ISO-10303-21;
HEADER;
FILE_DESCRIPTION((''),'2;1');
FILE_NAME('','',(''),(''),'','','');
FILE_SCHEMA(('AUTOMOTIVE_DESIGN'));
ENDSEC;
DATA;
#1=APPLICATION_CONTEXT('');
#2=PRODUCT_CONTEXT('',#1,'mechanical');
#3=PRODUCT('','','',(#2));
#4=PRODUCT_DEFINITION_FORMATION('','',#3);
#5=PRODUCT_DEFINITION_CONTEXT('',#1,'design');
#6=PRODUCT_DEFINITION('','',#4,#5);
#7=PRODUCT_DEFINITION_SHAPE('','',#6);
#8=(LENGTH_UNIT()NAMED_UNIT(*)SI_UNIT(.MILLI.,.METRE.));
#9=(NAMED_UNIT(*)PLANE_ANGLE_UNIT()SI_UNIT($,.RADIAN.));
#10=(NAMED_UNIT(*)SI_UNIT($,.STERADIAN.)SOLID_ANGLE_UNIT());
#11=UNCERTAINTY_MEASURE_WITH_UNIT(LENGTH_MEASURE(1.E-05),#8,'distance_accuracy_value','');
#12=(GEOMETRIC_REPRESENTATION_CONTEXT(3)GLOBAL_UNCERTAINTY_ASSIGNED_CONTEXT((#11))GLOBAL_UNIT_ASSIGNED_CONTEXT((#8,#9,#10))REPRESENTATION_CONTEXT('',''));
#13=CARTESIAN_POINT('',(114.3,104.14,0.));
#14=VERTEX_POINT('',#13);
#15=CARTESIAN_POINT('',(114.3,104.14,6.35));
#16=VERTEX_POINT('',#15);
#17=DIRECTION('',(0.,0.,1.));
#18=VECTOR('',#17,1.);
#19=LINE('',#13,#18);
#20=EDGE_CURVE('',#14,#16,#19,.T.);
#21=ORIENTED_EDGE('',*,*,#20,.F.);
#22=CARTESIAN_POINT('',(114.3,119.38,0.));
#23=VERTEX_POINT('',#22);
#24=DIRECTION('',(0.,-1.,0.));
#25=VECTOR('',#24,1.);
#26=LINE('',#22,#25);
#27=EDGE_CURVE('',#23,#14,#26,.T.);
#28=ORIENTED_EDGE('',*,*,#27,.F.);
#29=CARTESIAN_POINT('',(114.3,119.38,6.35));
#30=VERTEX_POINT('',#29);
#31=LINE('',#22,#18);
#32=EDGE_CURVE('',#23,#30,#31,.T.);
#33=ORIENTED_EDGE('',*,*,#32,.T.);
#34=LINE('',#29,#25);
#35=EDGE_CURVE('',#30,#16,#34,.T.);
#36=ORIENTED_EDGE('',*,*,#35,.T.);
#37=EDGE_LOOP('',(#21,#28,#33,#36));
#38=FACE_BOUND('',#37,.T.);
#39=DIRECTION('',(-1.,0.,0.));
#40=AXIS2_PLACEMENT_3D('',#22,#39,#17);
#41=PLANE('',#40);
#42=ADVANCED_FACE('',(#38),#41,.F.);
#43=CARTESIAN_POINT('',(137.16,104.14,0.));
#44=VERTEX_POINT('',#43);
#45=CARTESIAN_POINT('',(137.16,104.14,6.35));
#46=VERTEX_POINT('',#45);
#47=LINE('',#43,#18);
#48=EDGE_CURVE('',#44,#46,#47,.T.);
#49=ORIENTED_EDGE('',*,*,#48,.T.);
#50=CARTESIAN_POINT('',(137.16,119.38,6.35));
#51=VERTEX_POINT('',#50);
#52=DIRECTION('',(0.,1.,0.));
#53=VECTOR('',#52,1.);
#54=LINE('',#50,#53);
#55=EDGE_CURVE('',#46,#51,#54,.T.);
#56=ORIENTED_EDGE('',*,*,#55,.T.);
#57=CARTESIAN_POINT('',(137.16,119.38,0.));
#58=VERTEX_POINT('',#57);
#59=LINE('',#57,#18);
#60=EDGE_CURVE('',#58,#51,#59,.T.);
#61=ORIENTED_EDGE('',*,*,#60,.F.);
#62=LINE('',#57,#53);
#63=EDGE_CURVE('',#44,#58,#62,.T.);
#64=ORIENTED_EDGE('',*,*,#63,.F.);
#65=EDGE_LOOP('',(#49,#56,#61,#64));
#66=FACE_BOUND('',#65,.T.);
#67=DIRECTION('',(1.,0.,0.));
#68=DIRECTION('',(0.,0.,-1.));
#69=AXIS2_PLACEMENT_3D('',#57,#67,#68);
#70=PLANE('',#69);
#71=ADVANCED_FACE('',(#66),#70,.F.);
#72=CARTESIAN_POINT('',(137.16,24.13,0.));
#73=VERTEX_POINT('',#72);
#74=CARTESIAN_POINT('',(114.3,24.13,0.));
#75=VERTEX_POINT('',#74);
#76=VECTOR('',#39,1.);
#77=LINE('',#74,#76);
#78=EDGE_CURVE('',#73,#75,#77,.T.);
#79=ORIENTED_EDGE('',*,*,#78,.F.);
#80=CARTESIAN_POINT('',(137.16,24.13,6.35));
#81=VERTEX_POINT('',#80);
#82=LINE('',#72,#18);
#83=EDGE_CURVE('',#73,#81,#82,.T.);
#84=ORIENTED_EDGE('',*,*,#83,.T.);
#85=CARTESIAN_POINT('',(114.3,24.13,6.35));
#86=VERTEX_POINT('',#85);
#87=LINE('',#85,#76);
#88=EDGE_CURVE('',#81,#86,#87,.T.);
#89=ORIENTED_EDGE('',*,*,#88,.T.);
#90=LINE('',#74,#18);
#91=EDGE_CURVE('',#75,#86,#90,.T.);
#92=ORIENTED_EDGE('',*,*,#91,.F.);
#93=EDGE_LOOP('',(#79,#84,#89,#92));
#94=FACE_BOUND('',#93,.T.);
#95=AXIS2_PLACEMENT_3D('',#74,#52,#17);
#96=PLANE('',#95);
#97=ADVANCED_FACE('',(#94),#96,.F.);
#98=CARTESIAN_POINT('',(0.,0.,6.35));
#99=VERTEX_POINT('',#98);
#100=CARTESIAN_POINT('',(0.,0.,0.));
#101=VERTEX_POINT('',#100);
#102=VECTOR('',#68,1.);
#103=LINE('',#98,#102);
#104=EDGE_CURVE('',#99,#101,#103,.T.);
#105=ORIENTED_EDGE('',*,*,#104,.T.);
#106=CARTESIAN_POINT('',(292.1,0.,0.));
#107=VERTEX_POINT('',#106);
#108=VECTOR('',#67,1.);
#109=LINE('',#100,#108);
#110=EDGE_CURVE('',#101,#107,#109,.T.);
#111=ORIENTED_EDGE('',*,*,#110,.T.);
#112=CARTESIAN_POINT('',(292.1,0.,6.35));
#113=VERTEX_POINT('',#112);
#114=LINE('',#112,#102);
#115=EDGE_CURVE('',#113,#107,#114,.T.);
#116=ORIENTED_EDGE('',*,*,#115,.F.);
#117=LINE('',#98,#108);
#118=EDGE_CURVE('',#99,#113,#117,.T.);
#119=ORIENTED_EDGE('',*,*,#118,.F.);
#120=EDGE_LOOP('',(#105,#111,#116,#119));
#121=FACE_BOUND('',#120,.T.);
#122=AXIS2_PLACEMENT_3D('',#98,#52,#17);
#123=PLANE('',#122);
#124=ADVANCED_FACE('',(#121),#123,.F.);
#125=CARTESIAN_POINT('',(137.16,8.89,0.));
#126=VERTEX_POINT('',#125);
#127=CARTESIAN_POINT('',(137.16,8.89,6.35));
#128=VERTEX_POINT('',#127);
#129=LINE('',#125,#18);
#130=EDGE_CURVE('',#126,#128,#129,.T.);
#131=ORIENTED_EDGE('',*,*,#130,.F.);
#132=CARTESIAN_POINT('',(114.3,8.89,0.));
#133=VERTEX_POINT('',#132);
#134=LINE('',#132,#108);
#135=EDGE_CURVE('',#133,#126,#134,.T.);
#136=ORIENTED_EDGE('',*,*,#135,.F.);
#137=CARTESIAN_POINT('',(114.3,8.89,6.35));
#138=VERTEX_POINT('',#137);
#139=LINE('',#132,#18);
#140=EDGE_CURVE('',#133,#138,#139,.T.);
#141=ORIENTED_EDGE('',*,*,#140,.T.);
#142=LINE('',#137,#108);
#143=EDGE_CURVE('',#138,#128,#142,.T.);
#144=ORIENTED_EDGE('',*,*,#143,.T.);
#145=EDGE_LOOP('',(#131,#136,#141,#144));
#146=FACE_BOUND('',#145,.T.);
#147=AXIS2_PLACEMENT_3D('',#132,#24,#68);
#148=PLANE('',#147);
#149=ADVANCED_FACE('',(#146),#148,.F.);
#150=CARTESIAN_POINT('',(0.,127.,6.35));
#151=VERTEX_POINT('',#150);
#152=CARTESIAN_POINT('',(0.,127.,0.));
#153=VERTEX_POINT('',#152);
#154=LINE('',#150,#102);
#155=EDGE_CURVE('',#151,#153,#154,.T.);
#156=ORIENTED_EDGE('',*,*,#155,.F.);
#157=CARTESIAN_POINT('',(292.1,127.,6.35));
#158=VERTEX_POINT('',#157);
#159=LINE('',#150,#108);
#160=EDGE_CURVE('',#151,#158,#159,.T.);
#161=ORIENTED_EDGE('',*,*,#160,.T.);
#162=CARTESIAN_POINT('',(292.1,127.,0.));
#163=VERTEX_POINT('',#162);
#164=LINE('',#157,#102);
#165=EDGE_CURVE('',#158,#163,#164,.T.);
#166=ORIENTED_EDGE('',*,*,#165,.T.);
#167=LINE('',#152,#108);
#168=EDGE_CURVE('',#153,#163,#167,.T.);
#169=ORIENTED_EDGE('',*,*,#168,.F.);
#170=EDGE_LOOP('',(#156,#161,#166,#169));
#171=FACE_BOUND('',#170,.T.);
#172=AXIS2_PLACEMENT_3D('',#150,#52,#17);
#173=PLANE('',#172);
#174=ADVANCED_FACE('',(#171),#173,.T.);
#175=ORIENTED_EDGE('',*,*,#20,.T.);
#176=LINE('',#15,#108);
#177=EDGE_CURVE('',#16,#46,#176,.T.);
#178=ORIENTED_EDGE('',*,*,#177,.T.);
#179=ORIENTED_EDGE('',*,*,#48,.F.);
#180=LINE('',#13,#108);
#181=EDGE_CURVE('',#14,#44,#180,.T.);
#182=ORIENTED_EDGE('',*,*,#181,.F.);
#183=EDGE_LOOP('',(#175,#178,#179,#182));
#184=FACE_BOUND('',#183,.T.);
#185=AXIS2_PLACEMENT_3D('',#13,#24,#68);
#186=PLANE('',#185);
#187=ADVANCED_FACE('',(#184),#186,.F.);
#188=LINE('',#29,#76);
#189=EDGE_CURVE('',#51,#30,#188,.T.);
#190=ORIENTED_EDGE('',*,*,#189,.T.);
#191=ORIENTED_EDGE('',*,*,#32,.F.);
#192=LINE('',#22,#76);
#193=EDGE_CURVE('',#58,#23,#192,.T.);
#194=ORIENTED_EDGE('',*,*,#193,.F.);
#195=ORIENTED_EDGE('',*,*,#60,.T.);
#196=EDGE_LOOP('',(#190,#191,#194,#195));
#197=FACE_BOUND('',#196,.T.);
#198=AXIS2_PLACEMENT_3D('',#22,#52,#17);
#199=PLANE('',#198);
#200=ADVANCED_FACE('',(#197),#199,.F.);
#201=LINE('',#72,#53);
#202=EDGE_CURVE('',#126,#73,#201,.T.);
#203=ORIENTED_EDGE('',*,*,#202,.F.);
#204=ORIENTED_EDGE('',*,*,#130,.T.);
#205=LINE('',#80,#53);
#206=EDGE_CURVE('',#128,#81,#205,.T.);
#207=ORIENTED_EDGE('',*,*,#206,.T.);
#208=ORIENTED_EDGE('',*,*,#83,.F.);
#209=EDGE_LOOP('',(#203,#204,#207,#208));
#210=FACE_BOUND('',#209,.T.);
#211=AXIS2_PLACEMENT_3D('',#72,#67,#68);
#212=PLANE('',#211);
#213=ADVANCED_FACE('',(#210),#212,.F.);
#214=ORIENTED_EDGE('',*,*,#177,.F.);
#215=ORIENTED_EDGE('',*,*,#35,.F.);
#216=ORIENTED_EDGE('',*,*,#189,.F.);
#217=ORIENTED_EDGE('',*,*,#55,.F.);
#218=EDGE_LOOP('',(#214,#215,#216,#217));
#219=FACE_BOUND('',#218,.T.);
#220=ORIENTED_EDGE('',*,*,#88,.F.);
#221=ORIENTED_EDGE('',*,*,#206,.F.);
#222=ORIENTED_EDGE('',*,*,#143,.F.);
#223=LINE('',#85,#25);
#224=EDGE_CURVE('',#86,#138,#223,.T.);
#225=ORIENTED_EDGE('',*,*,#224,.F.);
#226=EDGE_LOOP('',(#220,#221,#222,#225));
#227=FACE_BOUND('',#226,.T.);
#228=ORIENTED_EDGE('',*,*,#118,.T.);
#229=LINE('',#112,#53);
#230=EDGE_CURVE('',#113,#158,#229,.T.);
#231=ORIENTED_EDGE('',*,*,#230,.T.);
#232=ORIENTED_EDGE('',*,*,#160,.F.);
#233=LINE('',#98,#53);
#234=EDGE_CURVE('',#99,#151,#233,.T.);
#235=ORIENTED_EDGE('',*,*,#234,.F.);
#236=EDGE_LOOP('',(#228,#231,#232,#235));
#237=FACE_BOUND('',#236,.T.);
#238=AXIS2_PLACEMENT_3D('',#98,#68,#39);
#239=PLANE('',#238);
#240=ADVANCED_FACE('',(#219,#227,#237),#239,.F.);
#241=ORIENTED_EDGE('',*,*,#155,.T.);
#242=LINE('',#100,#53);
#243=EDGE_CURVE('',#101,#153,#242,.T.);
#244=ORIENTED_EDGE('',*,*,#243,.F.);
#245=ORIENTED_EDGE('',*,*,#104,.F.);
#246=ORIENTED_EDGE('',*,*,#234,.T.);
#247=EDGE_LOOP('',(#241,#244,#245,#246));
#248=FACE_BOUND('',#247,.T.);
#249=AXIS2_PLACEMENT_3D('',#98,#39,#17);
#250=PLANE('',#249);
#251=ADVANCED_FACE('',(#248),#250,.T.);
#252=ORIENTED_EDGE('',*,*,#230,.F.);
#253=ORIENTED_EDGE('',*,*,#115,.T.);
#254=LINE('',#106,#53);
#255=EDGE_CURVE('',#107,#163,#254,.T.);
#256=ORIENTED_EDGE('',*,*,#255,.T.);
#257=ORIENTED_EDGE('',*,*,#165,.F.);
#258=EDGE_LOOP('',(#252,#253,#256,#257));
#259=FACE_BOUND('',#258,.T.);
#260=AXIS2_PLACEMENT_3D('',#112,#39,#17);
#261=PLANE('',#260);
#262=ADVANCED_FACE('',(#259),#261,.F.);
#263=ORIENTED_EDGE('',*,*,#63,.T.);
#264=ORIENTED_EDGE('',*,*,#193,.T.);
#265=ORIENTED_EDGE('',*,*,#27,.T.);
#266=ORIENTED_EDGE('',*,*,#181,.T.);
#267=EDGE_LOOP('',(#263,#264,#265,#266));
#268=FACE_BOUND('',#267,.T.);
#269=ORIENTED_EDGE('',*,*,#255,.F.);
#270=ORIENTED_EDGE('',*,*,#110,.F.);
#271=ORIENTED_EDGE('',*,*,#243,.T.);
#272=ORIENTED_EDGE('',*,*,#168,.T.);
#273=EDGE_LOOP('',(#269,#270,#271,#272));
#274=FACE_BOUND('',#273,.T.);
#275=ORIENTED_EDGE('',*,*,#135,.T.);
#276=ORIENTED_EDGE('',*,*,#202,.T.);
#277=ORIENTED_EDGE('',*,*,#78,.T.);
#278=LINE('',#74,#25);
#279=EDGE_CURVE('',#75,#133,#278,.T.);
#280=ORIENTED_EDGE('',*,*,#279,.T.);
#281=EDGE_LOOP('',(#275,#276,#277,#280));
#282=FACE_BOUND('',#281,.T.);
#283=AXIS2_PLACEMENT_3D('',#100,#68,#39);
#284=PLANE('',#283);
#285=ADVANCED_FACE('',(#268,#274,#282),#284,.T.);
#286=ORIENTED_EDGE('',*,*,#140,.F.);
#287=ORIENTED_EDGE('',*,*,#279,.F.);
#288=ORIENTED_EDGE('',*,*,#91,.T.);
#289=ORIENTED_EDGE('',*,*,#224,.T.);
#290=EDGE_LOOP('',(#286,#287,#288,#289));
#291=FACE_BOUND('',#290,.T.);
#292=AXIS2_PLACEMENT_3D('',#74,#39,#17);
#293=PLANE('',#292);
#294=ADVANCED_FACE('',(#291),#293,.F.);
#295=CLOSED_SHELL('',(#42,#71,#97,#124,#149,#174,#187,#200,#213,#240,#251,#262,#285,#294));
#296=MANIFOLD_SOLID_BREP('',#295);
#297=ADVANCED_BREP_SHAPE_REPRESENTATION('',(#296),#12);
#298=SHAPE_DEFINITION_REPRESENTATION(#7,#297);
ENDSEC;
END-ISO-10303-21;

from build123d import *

# Parameters (mm, degrees)
SKETCH1_W           = 292.1
SKETCH1_H           = 127
BOSS_EXTRUDE1_DEPTH = 6.35
SKETCH2_W           = 22.86
SKETCH2_H           = 15.24
CUT_EXTRUDE1_DEPTH  = 6.35
LPATTERN1_COUNT     = 2
LPATTERN1_PITCH     = 95.25


with BuildPart() as part:
    # Sketch1 → Boss-Extrude1 (new body)
    with BuildSketch(Plane.XY):
        with Locations((146.05, 63.5)):
            Rectangle(SKETCH1_W, SKETCH1_H)
    extrude(amount=BOSS_EXTRUDE1_DEPTH)

    # Sketch2 → Cut-Extrude1 (cut)
    with BuildSketch(Plane.XY.offset(6.35)):
        with Locations((125.73, 16.51)):
            Rectangle(SKETCH2_W, SKETCH2_H)
    cut_extrude1 = extrude(amount=-CUT_EXTRUDE1_DEPTH, mode=Mode.SUBTRACT)

    # LPattern1: Cut-Extrude1 ×2
    with Locations(*[(0, i * LPATTERN1_PITCH, 0) for i in range(1, LPATTERN1_COUNT)]):
        add(cut_extrude1, mode=Mode.SUBTRACT)


solid = part.part
